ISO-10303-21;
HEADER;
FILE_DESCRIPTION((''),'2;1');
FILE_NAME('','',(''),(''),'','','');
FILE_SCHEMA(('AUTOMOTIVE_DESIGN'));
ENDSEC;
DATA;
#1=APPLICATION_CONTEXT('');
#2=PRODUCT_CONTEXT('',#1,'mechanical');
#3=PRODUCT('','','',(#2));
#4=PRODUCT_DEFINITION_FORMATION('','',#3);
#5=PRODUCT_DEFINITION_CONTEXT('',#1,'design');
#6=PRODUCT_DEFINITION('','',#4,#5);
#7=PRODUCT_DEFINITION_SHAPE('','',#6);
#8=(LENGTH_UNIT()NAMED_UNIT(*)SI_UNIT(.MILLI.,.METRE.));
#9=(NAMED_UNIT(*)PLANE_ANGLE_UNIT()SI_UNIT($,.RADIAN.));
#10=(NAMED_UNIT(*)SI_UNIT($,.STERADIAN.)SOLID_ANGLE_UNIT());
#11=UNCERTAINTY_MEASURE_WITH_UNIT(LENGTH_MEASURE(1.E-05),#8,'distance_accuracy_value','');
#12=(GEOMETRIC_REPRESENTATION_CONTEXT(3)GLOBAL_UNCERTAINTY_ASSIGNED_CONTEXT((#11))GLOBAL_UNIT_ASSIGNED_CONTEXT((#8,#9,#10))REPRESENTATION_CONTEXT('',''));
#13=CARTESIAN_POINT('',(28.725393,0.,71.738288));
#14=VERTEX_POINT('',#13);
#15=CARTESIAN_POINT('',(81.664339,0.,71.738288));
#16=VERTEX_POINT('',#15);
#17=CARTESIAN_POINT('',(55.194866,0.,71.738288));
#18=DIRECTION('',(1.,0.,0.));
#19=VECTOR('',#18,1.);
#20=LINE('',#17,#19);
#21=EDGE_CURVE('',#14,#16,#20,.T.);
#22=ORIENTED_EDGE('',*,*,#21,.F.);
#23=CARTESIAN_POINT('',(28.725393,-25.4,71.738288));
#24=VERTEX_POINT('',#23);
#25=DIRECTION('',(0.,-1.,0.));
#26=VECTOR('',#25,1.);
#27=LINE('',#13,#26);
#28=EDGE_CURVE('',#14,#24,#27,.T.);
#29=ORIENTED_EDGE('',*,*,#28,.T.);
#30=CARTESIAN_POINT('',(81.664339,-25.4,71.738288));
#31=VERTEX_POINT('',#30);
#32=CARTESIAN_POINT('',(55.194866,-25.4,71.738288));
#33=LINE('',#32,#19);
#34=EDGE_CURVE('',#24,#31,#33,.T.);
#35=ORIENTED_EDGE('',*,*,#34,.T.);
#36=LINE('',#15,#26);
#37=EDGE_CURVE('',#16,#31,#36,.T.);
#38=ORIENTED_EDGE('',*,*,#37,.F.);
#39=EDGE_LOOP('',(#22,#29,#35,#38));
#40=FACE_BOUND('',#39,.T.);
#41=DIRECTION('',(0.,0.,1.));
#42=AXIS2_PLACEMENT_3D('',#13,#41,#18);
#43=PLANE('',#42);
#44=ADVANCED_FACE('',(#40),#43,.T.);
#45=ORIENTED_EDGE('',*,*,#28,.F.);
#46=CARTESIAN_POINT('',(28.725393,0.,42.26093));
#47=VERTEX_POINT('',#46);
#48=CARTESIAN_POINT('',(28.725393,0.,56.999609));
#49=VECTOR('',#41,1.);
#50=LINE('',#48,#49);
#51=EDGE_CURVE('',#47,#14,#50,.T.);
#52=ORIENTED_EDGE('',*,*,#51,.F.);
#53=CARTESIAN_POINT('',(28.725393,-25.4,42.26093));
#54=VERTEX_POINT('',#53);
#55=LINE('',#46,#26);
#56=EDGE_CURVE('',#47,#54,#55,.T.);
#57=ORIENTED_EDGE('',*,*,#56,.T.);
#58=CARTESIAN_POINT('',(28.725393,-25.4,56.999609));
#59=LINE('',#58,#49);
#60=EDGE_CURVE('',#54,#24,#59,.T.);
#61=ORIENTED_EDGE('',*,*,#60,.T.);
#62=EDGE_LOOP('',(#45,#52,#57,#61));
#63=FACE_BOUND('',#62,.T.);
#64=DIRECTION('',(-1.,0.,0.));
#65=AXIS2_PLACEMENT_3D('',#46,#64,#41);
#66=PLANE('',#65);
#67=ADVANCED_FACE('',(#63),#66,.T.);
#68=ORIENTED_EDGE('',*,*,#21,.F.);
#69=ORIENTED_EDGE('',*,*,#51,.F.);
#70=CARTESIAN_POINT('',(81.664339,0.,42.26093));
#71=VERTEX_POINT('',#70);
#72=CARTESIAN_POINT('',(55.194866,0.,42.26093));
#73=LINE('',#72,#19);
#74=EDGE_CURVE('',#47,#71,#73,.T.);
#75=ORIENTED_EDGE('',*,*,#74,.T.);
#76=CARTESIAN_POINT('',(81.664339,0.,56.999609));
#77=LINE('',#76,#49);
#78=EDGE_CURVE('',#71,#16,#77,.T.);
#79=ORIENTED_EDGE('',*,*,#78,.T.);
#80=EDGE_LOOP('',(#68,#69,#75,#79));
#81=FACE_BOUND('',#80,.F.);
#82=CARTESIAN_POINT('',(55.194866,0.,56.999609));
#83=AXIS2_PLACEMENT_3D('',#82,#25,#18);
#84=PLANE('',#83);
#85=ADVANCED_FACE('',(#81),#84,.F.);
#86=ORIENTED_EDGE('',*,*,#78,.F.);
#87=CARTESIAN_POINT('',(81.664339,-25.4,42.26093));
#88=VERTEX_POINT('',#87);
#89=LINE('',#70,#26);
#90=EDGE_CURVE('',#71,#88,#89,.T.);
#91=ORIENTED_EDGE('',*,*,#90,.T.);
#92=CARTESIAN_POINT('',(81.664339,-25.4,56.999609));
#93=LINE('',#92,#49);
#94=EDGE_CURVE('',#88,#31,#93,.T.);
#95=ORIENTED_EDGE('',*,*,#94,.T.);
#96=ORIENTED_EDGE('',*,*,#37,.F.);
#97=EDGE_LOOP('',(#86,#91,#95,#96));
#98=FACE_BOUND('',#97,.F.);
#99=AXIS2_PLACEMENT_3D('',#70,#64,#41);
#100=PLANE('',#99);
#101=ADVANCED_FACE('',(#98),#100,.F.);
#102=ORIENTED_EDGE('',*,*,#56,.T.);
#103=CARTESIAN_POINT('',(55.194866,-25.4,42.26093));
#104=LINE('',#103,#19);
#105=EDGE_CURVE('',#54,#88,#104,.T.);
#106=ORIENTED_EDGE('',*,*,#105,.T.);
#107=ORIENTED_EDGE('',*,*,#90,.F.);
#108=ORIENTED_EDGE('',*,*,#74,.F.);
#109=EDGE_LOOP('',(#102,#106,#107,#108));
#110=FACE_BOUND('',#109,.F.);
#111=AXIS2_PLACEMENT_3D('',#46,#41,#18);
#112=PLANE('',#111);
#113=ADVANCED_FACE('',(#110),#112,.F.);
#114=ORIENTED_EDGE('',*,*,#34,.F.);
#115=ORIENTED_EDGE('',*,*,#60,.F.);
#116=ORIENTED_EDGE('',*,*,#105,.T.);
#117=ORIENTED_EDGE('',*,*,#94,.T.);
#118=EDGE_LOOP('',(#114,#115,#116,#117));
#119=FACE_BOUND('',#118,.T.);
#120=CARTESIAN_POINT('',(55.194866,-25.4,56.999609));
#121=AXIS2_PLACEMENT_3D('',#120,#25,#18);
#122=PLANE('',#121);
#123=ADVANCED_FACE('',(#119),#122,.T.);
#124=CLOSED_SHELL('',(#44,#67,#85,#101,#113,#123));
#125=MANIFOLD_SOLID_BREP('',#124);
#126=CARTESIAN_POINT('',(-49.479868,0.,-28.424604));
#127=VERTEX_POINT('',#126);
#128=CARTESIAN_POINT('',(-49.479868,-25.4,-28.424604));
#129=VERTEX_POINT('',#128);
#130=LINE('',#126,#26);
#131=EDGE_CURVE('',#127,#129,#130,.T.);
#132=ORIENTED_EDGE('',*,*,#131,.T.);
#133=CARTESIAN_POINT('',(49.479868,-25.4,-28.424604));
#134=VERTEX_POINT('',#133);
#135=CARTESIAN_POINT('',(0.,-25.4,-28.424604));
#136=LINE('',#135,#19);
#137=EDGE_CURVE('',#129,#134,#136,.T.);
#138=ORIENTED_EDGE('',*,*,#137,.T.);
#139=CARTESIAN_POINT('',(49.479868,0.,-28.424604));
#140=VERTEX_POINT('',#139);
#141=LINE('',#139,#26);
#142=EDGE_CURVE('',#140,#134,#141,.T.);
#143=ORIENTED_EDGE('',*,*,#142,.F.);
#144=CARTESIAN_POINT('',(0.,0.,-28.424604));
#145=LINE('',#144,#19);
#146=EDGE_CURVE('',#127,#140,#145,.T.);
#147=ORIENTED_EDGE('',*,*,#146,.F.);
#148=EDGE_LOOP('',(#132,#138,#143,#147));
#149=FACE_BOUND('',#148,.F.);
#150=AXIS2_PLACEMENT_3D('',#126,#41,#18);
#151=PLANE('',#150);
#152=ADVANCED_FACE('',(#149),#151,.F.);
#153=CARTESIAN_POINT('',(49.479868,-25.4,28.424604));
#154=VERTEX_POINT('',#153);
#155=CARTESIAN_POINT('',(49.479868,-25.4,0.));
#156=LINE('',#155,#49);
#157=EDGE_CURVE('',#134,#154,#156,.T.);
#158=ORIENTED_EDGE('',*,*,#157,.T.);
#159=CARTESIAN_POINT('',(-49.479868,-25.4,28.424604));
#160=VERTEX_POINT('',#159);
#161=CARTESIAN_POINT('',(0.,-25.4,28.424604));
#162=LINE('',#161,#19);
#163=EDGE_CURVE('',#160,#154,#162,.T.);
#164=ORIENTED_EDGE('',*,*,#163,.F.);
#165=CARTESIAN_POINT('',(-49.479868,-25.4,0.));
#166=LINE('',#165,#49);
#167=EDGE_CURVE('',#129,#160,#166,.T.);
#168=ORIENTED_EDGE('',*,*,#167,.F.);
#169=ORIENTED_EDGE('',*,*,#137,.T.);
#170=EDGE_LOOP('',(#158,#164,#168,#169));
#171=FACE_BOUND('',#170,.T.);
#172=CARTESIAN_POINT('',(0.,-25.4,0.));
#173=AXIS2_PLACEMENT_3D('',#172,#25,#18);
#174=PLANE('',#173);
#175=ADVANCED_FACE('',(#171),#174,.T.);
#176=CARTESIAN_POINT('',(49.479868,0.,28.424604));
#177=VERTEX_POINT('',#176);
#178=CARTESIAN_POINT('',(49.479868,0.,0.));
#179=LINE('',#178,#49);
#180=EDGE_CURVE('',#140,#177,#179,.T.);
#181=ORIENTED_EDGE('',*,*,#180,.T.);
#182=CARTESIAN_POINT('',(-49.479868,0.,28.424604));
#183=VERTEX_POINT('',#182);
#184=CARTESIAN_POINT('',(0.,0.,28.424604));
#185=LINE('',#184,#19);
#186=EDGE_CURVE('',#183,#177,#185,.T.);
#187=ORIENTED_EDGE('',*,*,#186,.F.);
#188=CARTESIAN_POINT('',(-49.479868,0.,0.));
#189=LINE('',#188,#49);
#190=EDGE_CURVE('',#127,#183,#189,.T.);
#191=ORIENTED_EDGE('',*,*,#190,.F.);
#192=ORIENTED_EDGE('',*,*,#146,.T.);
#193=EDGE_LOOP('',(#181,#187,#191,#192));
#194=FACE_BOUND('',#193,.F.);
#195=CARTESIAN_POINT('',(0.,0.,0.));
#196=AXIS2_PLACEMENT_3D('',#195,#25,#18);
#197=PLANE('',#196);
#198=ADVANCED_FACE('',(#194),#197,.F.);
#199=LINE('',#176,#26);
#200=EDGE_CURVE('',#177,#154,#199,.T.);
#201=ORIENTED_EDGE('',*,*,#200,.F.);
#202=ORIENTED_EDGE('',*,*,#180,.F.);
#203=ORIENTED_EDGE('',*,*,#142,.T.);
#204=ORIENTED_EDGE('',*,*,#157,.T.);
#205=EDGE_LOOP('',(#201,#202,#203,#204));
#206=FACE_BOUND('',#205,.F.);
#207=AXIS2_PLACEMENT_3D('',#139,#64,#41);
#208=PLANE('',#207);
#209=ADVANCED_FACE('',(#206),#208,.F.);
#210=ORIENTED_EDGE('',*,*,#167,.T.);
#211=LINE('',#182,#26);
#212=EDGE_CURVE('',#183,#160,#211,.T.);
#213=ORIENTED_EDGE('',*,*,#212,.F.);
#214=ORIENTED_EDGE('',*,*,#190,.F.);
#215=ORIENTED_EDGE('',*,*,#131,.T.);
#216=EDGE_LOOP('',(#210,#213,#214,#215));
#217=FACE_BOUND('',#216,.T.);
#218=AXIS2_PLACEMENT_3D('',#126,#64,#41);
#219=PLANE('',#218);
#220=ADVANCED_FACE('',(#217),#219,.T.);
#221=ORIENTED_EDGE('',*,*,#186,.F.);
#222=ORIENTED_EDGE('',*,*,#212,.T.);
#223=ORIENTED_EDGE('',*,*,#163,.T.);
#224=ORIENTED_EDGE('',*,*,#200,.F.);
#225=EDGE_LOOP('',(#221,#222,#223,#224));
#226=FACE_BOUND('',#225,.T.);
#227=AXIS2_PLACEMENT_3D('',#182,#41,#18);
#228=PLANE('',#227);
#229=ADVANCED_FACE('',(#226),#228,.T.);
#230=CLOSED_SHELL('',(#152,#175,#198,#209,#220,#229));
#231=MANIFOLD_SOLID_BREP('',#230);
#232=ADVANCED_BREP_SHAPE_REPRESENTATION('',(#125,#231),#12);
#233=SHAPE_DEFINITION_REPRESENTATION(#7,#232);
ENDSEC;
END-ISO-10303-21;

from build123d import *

# Parameters (mm, degrees)
F2_W     = 98.959736
F2_H     = 56.849208
F1_W     = 52.938946
F1_H     = 29.477358
F3_DEPTH = 25.4


with BuildPart() as f3:
    # F2 (on face) + F1 (on Front) → F3 (new body)
    with BuildSketch(Plane.XZ):
        Rectangle(F2_W, F2_H)
    with BuildSketch(Plane.XZ):
        with Locations((55.194866, 56.999609)):
            Rectangle(F1_W, F1_H)
    extrude(amount=F3_DEPTH)


solid = f3.part
